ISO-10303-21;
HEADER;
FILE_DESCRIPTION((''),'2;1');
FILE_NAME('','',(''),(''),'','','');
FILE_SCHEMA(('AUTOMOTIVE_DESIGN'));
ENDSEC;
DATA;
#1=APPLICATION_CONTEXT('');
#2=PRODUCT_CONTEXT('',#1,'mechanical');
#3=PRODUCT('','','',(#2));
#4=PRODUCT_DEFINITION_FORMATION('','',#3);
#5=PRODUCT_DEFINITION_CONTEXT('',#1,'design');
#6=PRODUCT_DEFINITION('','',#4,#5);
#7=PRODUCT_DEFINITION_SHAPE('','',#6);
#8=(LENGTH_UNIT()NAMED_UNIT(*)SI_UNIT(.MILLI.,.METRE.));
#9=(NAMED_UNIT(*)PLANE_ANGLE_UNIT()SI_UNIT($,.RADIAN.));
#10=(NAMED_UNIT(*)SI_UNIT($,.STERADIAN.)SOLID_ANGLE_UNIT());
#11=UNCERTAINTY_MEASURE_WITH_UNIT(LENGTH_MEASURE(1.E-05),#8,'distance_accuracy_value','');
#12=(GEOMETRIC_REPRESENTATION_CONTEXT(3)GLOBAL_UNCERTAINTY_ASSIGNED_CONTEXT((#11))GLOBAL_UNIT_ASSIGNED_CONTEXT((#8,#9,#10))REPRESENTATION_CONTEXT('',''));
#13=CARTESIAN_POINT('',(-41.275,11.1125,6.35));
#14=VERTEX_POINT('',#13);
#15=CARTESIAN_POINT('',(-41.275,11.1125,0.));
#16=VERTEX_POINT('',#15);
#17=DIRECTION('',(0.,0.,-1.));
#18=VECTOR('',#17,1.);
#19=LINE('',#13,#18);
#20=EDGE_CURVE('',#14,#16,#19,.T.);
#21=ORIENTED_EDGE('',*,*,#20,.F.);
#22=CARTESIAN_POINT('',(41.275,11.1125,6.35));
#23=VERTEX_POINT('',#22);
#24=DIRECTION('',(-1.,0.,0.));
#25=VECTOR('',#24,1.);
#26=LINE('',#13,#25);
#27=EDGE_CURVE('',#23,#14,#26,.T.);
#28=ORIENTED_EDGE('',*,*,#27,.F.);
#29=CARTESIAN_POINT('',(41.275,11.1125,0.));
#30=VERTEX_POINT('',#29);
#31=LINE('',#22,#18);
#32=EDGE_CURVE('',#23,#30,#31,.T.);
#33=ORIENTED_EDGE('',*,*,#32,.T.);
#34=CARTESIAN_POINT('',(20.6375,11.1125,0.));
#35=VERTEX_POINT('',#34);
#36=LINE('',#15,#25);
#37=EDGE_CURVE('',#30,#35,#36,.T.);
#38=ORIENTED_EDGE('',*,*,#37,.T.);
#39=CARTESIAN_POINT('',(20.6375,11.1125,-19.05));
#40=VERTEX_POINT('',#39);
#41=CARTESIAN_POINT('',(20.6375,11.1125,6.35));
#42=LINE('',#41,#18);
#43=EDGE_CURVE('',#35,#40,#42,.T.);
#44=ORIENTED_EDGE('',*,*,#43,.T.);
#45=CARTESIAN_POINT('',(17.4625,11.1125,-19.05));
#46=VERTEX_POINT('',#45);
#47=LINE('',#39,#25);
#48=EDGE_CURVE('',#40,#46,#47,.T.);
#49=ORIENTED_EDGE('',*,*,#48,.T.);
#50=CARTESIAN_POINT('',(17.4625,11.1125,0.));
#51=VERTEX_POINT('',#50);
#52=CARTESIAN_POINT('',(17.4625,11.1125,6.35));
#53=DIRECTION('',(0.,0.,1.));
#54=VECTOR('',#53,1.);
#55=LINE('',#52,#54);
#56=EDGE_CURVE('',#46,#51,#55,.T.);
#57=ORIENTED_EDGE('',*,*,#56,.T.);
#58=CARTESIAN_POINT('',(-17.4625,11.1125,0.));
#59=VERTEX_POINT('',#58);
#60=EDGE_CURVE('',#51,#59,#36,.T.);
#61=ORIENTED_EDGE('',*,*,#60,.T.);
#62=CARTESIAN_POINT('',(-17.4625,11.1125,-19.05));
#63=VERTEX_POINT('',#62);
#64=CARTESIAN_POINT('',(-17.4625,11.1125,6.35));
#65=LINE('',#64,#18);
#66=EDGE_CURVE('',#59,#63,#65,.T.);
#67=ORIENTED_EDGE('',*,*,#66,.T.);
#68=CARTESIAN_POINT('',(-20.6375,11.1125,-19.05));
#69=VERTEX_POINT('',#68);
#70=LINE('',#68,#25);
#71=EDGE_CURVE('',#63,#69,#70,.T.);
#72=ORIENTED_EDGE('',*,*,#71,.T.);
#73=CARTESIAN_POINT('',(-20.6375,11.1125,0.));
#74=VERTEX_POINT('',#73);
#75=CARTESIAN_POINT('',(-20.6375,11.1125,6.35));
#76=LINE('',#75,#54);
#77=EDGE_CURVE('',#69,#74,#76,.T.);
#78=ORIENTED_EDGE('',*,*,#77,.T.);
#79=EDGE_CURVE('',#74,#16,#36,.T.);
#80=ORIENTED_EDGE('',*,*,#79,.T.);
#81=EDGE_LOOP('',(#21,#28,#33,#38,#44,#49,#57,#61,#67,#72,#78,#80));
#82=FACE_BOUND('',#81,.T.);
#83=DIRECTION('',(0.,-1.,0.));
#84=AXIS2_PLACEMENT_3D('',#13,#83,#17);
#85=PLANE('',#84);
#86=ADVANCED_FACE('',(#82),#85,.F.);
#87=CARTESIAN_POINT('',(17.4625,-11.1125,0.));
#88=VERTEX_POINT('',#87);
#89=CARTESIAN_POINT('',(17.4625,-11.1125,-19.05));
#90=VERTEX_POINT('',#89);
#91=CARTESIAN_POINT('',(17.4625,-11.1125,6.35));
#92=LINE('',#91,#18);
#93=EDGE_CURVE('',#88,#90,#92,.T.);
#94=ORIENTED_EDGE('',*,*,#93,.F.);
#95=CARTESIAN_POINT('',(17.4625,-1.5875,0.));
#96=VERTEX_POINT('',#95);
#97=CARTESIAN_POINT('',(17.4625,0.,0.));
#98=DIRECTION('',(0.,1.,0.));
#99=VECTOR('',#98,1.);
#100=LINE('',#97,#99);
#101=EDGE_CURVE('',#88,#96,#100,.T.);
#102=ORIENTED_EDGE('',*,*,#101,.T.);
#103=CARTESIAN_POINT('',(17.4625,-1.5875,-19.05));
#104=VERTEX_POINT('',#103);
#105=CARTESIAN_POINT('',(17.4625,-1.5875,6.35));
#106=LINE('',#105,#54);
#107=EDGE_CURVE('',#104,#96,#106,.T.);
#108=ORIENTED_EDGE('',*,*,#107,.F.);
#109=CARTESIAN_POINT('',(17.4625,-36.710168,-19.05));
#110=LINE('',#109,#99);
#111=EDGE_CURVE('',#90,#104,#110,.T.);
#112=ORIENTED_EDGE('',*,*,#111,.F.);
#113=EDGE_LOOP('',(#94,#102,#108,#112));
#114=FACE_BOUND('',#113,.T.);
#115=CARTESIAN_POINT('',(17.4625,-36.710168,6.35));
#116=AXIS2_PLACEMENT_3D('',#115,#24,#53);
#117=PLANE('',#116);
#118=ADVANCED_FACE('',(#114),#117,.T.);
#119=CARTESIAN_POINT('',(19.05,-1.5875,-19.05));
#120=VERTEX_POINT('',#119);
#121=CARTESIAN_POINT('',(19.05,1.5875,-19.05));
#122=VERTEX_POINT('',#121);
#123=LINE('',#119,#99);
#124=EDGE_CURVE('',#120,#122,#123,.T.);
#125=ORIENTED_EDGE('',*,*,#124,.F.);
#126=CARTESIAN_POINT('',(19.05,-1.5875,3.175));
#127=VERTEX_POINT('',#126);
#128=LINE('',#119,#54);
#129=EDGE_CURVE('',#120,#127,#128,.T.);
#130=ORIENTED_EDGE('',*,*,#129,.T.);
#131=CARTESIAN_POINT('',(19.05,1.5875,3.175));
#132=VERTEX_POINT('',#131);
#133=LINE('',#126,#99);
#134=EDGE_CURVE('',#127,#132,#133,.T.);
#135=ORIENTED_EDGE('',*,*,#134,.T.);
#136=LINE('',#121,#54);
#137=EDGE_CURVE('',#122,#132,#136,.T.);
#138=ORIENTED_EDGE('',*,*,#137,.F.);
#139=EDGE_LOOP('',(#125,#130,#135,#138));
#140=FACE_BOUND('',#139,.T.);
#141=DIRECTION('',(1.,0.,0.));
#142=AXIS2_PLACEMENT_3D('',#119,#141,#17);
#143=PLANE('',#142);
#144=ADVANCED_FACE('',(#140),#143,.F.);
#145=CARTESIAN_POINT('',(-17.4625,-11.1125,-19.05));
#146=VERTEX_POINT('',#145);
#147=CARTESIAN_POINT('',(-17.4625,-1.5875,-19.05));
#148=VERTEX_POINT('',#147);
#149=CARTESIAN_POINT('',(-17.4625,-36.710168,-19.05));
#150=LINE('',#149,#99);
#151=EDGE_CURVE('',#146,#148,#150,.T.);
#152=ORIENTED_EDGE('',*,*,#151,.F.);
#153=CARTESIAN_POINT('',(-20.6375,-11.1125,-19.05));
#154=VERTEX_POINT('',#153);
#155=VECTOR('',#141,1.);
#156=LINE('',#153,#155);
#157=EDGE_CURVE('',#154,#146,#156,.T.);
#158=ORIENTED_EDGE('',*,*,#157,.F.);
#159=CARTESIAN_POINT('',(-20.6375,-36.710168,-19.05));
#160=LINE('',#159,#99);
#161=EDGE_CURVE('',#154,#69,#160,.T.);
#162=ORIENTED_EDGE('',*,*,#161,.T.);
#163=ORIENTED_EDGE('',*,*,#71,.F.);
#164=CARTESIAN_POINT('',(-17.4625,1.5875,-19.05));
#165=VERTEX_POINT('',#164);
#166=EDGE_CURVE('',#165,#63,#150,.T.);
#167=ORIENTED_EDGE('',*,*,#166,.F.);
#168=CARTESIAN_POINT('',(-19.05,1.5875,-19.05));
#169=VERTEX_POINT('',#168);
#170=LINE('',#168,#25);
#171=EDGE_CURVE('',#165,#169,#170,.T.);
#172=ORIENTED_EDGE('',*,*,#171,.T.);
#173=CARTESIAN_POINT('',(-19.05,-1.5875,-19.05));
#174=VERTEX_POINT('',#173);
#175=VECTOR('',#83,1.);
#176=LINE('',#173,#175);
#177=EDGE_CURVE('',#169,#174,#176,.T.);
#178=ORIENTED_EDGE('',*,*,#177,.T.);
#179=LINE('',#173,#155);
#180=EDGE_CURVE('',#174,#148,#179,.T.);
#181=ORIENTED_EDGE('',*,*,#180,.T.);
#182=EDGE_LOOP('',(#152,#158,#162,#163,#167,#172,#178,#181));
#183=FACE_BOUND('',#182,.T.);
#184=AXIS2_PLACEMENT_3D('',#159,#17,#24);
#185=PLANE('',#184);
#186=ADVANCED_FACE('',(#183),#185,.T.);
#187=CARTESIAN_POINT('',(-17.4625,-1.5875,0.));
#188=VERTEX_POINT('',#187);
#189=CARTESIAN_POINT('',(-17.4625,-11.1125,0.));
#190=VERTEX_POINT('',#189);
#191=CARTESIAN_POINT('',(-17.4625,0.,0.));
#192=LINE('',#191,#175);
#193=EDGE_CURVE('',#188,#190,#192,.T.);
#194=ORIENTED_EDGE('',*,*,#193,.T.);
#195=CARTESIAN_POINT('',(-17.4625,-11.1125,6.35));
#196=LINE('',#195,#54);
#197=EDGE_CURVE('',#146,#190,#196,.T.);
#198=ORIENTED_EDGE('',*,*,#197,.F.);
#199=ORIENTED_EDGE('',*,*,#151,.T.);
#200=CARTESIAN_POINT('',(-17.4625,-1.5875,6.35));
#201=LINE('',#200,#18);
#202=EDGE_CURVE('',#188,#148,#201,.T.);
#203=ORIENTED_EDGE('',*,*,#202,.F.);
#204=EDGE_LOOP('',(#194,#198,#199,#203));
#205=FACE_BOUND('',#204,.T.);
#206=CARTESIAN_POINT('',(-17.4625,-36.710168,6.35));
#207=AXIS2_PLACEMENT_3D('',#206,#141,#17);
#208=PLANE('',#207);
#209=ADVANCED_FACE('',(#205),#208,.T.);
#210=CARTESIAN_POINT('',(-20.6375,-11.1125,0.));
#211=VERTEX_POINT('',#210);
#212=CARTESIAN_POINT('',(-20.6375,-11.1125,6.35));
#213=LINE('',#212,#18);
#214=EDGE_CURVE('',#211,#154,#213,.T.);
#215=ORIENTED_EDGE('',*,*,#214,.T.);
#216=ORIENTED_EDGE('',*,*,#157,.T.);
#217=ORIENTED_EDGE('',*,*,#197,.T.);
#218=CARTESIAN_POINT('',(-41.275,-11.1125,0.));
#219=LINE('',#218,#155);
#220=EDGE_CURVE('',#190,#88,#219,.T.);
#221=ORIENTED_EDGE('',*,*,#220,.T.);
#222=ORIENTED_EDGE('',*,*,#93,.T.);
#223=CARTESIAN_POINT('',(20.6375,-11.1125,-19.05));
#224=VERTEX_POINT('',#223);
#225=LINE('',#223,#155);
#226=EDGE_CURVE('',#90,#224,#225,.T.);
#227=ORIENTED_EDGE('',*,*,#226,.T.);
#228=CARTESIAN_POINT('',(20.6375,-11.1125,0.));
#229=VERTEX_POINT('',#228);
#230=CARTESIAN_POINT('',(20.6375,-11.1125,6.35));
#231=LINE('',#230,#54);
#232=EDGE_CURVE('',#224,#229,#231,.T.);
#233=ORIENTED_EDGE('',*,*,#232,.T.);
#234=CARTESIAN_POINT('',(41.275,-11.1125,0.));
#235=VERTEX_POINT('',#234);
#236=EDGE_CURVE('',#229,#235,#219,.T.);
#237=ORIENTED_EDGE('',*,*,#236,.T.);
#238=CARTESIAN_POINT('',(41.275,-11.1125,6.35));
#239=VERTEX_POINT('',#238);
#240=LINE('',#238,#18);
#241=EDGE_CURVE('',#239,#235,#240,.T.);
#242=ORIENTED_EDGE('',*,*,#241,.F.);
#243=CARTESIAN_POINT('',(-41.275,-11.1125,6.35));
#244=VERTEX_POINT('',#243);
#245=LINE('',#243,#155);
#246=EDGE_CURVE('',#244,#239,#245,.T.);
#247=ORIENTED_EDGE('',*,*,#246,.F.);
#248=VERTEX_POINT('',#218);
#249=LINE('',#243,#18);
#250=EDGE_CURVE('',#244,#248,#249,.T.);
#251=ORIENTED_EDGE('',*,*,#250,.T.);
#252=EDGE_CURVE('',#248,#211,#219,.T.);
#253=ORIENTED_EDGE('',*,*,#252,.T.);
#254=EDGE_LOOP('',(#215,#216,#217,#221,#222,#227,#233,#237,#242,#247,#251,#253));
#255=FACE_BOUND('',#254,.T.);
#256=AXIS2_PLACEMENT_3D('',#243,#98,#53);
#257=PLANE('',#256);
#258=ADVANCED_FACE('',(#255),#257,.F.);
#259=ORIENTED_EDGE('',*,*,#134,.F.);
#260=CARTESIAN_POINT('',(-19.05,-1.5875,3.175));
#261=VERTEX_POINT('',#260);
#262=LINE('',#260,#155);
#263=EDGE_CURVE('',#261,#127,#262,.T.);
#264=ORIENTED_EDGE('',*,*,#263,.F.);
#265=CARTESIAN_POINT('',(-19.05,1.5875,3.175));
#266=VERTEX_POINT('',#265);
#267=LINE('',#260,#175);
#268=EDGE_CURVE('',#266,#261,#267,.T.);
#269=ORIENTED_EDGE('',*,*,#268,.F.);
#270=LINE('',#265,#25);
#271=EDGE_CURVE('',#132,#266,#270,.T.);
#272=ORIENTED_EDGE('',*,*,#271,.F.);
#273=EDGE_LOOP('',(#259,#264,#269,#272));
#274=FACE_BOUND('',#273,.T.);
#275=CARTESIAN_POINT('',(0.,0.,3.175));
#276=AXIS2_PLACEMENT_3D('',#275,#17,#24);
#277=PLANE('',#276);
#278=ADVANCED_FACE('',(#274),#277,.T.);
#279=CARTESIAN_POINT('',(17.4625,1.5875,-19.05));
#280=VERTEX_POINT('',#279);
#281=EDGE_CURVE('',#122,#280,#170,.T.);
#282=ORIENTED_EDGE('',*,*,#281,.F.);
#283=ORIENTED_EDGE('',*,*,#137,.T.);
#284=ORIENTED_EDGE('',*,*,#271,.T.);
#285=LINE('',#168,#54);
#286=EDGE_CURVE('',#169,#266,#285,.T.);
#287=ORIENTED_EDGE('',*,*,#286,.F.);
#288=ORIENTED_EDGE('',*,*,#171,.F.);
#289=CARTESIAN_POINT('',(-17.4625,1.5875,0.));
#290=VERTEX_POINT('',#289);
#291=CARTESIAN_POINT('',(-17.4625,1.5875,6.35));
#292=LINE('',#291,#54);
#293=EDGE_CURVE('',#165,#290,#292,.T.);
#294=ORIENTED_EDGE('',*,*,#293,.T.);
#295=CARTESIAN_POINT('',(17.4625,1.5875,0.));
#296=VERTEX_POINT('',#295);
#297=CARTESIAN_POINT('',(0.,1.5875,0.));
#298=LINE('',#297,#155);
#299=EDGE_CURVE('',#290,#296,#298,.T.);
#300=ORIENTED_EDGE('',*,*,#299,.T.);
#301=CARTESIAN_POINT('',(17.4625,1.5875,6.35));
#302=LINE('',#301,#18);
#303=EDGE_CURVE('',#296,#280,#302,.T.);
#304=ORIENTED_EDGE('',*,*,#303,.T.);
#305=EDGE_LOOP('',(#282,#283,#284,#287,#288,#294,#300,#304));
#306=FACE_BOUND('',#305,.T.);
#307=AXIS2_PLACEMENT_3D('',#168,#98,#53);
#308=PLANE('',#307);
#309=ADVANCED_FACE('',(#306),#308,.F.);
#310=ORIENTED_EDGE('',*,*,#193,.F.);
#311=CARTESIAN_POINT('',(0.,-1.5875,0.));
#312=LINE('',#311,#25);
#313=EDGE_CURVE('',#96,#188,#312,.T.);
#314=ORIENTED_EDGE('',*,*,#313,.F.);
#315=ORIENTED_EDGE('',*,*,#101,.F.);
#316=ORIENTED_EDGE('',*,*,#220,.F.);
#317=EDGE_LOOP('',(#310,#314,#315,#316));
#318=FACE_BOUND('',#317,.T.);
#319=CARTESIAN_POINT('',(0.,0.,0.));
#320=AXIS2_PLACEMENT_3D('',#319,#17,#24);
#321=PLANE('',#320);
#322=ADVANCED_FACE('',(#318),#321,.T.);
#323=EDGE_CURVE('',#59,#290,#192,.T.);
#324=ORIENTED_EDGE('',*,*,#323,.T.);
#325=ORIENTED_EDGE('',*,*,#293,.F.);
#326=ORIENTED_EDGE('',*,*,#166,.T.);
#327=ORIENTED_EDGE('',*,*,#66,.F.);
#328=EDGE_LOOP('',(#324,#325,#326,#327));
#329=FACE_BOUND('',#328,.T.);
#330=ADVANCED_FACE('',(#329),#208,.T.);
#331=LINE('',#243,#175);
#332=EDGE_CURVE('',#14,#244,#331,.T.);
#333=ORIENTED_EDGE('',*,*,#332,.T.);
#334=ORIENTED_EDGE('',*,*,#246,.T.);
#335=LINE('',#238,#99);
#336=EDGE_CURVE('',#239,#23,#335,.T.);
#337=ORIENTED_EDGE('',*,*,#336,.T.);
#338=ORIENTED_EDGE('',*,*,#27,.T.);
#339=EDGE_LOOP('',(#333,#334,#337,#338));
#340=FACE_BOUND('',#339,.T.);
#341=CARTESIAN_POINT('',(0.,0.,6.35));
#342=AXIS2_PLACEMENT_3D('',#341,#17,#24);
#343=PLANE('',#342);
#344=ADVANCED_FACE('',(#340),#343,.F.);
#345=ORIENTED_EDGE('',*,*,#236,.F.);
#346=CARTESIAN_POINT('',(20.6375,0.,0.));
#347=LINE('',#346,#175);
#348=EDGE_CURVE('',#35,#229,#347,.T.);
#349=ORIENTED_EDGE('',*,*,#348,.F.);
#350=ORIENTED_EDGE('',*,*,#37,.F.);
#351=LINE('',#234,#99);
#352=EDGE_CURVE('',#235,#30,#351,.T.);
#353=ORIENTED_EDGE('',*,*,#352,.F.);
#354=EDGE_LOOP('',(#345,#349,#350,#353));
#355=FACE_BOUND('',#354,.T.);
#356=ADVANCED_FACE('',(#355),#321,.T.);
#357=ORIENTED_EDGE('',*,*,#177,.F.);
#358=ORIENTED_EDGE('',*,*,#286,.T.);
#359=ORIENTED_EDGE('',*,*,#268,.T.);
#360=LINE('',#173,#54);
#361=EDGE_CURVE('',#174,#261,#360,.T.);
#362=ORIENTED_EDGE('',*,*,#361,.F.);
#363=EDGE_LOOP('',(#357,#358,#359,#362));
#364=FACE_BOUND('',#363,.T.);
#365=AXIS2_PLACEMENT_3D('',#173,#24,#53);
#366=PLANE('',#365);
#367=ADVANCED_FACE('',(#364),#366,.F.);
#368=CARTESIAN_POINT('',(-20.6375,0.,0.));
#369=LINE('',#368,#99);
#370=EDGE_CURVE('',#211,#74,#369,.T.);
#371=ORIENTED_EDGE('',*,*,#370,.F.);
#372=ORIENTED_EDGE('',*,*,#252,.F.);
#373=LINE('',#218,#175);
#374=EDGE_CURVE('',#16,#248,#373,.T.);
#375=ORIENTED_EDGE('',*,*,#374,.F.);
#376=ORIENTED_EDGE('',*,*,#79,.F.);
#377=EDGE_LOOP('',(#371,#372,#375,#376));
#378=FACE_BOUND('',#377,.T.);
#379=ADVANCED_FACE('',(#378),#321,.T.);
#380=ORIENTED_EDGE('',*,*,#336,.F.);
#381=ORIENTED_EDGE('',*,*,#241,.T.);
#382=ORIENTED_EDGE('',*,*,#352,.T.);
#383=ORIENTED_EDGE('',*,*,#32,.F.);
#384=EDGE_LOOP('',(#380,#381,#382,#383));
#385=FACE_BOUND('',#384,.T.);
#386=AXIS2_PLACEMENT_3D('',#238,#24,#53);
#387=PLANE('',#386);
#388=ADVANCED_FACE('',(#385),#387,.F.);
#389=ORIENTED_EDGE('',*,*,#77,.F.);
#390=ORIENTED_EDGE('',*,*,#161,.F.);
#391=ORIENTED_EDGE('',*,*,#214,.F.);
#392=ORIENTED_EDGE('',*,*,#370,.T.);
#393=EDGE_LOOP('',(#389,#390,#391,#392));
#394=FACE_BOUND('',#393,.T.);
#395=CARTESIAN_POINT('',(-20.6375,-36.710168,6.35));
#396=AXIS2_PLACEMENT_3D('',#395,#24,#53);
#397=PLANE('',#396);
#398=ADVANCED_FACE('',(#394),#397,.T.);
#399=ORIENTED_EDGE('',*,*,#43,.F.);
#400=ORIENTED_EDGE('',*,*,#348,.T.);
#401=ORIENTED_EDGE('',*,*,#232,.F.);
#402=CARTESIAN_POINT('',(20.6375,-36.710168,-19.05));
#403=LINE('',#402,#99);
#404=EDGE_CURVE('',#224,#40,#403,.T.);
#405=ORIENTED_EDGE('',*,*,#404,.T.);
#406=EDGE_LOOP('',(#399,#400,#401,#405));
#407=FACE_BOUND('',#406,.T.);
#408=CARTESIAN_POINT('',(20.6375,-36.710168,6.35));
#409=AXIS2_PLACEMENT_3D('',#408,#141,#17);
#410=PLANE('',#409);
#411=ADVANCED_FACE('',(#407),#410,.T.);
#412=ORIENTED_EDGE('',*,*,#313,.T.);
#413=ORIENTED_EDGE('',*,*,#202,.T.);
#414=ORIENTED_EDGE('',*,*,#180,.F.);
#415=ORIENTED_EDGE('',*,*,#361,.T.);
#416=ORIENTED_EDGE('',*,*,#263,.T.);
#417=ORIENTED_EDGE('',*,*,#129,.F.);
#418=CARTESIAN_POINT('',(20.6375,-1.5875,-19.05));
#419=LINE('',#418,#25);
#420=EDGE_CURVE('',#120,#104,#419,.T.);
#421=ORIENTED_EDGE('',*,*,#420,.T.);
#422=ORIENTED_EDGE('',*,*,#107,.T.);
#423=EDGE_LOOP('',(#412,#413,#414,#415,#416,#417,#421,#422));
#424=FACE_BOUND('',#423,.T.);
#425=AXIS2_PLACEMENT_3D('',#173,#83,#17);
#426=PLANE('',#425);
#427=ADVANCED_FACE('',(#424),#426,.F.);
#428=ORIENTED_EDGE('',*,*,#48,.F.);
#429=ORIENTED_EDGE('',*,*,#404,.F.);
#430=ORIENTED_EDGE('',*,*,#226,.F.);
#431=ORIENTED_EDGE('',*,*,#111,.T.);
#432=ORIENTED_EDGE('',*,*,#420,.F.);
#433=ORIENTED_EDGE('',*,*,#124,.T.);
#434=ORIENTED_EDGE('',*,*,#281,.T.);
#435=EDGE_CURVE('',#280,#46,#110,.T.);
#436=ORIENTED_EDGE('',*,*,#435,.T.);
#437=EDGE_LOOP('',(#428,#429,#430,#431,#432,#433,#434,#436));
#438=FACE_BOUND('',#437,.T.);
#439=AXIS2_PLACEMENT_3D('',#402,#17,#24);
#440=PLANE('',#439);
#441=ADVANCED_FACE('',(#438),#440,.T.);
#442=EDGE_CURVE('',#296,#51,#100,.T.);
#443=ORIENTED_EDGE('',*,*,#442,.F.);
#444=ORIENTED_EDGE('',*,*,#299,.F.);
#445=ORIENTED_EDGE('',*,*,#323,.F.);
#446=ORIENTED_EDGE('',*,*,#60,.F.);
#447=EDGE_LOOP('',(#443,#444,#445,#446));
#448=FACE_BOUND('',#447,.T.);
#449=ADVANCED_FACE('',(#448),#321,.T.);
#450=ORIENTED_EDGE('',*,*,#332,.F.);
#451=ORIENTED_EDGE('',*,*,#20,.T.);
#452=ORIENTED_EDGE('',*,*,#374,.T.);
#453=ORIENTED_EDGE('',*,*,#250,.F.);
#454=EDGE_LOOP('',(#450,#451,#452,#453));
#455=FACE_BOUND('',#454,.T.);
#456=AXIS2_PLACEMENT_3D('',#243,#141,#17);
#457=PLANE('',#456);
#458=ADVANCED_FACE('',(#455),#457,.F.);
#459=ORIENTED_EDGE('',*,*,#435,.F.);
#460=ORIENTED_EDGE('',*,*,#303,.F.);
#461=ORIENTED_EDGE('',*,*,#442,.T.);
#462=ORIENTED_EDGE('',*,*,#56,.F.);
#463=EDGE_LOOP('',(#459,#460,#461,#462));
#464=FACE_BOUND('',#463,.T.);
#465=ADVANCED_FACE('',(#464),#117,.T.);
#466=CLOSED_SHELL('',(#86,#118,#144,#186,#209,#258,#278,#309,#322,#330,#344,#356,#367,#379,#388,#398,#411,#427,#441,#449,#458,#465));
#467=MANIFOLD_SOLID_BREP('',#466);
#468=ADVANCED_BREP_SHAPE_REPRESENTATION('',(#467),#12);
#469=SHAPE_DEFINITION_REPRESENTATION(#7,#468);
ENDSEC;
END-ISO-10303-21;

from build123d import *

# Parameters (mm, degrees)
SKETCH1_W           = 82.55
SKETCH1_H           = 22.225
BOSS_EXTRUDE1_DEPTH = 6.35
SKETCH3_W           = 3.175
SKETCH3_H           = 25.4
BOSS_EXTRUDE2_DEPTH = 22.225
CUT_EXTRUDE3_START  = 3.175
SKETCH2_W           = 38.1
SKETCH2_H           = 3.175
CUT_EXTRUDE3_DEPTH  = 50.972604439


with BuildPart() as part:
    # Sketch1 → Boss-Extrude1 (new body)
    with BuildSketch(Plane.XY):
        Rectangle(SKETCH1_W, SKETCH1_H)
    extrude(amount=BOSS_EXTRUDE1_DEPTH)

    # Sketch3 → Boss-Extrude2 (add)
    with BuildSketch(Plane(origin=(0, 11.1125, 0), x_dir=(1, 0, 0), z_dir=(0, 1, 0))):
        with Locations((-19.05, 6.35)):
            Rectangle(SKETCH3_W, SKETCH3_H)
        with Locations((19.05, 6.35)):
            Rectangle(SKETCH3_W, SKETCH3_H)
    extrude(amount=-BOSS_EXTRUDE2_DEPTH)

    # Sketch2 → Cut-Extrude3 (cut, through all)
    with BuildSketch(Plane.XY.offset(CUT_EXTRUDE3_START)):
        Rectangle(SKETCH2_W, SKETCH2_H)
    extrude(amount=-CUT_EXTRUDE3_DEPTH, mode=Mode.SUBTRACT)


solid = part.part
